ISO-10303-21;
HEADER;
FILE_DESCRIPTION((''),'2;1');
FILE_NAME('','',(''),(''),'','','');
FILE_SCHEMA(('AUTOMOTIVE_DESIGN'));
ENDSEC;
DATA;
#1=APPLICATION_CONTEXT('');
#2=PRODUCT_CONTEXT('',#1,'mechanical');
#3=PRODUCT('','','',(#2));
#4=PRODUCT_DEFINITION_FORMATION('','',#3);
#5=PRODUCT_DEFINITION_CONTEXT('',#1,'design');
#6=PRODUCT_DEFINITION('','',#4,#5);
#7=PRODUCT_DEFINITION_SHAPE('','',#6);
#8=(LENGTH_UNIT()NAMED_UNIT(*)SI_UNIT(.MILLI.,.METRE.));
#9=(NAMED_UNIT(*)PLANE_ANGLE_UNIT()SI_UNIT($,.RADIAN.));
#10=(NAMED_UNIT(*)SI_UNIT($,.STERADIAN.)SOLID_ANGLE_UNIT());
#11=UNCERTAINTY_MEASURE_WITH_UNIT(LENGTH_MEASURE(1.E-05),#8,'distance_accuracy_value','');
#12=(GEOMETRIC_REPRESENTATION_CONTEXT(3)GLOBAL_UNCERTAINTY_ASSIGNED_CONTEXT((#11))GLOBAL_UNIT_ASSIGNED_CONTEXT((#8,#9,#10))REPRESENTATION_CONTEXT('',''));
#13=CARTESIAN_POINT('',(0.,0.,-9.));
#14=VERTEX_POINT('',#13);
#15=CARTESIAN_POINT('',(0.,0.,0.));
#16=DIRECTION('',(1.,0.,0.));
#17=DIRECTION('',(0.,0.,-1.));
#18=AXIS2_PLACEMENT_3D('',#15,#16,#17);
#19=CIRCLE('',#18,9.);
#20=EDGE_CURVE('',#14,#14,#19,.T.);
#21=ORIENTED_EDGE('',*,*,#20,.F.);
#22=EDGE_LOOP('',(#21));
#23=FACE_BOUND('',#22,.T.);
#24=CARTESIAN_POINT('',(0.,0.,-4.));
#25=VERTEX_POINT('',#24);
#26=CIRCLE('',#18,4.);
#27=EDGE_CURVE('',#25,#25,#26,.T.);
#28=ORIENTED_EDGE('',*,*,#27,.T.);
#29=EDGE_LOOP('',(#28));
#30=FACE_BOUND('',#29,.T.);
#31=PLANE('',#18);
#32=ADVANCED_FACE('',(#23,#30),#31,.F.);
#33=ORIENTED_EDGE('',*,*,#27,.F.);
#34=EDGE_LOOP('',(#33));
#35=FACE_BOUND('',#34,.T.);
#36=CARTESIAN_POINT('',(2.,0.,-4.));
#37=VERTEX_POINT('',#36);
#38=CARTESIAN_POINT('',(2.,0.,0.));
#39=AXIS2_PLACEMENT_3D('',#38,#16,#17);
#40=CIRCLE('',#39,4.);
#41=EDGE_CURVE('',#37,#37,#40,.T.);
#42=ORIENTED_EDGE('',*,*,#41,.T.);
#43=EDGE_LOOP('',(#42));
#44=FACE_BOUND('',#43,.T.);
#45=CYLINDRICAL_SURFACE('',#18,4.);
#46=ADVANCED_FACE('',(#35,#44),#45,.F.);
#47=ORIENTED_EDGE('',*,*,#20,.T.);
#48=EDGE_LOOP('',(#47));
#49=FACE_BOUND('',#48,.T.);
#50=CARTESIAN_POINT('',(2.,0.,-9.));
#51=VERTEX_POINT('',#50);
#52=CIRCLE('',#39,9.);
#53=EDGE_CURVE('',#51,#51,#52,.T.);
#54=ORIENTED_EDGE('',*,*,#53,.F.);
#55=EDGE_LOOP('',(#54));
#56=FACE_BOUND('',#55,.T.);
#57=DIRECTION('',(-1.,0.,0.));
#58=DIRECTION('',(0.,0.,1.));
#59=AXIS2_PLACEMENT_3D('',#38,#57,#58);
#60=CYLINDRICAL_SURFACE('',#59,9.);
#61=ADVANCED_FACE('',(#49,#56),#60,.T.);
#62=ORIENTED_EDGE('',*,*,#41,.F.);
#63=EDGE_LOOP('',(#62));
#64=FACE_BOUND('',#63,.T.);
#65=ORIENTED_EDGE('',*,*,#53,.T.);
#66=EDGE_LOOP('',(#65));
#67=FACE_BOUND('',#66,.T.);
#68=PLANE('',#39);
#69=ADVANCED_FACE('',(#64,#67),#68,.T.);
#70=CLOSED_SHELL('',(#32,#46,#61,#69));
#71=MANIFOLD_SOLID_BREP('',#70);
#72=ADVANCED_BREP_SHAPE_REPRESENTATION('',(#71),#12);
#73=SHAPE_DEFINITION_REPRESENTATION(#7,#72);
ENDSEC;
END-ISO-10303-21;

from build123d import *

# Parameters (mm, degrees)
SKETCH1_R           = 9
BOSS_EXTRUDE1_DEPTH = 2
SKETCH2_R           = 4
CUT_EXTRUDE1_DEPTH  = 3


with BuildPart() as part:
    # Sketch1 → Boss-Extrude1 (new body)
    with BuildSketch(Plane(origin=(0, 0, 0), x_dir=(0, 0, -1), z_dir=(1, 0, 0))):
        Circle(SKETCH1_R)
    extrude(amount=BOSS_EXTRUDE1_DEPTH)

    # Sketch2 → Cut-Extrude1 (cut, through all)
    with BuildSketch(Plane(origin=(2, 0, 0), x_dir=(0, 0, -1), z_dir=(1, 0, 0))):
        Circle(SKETCH2_R)
    extrude(amount=-CUT_EXTRUDE1_DEPTH, mode=Mode.SUBTRACT)


solid = part.part
